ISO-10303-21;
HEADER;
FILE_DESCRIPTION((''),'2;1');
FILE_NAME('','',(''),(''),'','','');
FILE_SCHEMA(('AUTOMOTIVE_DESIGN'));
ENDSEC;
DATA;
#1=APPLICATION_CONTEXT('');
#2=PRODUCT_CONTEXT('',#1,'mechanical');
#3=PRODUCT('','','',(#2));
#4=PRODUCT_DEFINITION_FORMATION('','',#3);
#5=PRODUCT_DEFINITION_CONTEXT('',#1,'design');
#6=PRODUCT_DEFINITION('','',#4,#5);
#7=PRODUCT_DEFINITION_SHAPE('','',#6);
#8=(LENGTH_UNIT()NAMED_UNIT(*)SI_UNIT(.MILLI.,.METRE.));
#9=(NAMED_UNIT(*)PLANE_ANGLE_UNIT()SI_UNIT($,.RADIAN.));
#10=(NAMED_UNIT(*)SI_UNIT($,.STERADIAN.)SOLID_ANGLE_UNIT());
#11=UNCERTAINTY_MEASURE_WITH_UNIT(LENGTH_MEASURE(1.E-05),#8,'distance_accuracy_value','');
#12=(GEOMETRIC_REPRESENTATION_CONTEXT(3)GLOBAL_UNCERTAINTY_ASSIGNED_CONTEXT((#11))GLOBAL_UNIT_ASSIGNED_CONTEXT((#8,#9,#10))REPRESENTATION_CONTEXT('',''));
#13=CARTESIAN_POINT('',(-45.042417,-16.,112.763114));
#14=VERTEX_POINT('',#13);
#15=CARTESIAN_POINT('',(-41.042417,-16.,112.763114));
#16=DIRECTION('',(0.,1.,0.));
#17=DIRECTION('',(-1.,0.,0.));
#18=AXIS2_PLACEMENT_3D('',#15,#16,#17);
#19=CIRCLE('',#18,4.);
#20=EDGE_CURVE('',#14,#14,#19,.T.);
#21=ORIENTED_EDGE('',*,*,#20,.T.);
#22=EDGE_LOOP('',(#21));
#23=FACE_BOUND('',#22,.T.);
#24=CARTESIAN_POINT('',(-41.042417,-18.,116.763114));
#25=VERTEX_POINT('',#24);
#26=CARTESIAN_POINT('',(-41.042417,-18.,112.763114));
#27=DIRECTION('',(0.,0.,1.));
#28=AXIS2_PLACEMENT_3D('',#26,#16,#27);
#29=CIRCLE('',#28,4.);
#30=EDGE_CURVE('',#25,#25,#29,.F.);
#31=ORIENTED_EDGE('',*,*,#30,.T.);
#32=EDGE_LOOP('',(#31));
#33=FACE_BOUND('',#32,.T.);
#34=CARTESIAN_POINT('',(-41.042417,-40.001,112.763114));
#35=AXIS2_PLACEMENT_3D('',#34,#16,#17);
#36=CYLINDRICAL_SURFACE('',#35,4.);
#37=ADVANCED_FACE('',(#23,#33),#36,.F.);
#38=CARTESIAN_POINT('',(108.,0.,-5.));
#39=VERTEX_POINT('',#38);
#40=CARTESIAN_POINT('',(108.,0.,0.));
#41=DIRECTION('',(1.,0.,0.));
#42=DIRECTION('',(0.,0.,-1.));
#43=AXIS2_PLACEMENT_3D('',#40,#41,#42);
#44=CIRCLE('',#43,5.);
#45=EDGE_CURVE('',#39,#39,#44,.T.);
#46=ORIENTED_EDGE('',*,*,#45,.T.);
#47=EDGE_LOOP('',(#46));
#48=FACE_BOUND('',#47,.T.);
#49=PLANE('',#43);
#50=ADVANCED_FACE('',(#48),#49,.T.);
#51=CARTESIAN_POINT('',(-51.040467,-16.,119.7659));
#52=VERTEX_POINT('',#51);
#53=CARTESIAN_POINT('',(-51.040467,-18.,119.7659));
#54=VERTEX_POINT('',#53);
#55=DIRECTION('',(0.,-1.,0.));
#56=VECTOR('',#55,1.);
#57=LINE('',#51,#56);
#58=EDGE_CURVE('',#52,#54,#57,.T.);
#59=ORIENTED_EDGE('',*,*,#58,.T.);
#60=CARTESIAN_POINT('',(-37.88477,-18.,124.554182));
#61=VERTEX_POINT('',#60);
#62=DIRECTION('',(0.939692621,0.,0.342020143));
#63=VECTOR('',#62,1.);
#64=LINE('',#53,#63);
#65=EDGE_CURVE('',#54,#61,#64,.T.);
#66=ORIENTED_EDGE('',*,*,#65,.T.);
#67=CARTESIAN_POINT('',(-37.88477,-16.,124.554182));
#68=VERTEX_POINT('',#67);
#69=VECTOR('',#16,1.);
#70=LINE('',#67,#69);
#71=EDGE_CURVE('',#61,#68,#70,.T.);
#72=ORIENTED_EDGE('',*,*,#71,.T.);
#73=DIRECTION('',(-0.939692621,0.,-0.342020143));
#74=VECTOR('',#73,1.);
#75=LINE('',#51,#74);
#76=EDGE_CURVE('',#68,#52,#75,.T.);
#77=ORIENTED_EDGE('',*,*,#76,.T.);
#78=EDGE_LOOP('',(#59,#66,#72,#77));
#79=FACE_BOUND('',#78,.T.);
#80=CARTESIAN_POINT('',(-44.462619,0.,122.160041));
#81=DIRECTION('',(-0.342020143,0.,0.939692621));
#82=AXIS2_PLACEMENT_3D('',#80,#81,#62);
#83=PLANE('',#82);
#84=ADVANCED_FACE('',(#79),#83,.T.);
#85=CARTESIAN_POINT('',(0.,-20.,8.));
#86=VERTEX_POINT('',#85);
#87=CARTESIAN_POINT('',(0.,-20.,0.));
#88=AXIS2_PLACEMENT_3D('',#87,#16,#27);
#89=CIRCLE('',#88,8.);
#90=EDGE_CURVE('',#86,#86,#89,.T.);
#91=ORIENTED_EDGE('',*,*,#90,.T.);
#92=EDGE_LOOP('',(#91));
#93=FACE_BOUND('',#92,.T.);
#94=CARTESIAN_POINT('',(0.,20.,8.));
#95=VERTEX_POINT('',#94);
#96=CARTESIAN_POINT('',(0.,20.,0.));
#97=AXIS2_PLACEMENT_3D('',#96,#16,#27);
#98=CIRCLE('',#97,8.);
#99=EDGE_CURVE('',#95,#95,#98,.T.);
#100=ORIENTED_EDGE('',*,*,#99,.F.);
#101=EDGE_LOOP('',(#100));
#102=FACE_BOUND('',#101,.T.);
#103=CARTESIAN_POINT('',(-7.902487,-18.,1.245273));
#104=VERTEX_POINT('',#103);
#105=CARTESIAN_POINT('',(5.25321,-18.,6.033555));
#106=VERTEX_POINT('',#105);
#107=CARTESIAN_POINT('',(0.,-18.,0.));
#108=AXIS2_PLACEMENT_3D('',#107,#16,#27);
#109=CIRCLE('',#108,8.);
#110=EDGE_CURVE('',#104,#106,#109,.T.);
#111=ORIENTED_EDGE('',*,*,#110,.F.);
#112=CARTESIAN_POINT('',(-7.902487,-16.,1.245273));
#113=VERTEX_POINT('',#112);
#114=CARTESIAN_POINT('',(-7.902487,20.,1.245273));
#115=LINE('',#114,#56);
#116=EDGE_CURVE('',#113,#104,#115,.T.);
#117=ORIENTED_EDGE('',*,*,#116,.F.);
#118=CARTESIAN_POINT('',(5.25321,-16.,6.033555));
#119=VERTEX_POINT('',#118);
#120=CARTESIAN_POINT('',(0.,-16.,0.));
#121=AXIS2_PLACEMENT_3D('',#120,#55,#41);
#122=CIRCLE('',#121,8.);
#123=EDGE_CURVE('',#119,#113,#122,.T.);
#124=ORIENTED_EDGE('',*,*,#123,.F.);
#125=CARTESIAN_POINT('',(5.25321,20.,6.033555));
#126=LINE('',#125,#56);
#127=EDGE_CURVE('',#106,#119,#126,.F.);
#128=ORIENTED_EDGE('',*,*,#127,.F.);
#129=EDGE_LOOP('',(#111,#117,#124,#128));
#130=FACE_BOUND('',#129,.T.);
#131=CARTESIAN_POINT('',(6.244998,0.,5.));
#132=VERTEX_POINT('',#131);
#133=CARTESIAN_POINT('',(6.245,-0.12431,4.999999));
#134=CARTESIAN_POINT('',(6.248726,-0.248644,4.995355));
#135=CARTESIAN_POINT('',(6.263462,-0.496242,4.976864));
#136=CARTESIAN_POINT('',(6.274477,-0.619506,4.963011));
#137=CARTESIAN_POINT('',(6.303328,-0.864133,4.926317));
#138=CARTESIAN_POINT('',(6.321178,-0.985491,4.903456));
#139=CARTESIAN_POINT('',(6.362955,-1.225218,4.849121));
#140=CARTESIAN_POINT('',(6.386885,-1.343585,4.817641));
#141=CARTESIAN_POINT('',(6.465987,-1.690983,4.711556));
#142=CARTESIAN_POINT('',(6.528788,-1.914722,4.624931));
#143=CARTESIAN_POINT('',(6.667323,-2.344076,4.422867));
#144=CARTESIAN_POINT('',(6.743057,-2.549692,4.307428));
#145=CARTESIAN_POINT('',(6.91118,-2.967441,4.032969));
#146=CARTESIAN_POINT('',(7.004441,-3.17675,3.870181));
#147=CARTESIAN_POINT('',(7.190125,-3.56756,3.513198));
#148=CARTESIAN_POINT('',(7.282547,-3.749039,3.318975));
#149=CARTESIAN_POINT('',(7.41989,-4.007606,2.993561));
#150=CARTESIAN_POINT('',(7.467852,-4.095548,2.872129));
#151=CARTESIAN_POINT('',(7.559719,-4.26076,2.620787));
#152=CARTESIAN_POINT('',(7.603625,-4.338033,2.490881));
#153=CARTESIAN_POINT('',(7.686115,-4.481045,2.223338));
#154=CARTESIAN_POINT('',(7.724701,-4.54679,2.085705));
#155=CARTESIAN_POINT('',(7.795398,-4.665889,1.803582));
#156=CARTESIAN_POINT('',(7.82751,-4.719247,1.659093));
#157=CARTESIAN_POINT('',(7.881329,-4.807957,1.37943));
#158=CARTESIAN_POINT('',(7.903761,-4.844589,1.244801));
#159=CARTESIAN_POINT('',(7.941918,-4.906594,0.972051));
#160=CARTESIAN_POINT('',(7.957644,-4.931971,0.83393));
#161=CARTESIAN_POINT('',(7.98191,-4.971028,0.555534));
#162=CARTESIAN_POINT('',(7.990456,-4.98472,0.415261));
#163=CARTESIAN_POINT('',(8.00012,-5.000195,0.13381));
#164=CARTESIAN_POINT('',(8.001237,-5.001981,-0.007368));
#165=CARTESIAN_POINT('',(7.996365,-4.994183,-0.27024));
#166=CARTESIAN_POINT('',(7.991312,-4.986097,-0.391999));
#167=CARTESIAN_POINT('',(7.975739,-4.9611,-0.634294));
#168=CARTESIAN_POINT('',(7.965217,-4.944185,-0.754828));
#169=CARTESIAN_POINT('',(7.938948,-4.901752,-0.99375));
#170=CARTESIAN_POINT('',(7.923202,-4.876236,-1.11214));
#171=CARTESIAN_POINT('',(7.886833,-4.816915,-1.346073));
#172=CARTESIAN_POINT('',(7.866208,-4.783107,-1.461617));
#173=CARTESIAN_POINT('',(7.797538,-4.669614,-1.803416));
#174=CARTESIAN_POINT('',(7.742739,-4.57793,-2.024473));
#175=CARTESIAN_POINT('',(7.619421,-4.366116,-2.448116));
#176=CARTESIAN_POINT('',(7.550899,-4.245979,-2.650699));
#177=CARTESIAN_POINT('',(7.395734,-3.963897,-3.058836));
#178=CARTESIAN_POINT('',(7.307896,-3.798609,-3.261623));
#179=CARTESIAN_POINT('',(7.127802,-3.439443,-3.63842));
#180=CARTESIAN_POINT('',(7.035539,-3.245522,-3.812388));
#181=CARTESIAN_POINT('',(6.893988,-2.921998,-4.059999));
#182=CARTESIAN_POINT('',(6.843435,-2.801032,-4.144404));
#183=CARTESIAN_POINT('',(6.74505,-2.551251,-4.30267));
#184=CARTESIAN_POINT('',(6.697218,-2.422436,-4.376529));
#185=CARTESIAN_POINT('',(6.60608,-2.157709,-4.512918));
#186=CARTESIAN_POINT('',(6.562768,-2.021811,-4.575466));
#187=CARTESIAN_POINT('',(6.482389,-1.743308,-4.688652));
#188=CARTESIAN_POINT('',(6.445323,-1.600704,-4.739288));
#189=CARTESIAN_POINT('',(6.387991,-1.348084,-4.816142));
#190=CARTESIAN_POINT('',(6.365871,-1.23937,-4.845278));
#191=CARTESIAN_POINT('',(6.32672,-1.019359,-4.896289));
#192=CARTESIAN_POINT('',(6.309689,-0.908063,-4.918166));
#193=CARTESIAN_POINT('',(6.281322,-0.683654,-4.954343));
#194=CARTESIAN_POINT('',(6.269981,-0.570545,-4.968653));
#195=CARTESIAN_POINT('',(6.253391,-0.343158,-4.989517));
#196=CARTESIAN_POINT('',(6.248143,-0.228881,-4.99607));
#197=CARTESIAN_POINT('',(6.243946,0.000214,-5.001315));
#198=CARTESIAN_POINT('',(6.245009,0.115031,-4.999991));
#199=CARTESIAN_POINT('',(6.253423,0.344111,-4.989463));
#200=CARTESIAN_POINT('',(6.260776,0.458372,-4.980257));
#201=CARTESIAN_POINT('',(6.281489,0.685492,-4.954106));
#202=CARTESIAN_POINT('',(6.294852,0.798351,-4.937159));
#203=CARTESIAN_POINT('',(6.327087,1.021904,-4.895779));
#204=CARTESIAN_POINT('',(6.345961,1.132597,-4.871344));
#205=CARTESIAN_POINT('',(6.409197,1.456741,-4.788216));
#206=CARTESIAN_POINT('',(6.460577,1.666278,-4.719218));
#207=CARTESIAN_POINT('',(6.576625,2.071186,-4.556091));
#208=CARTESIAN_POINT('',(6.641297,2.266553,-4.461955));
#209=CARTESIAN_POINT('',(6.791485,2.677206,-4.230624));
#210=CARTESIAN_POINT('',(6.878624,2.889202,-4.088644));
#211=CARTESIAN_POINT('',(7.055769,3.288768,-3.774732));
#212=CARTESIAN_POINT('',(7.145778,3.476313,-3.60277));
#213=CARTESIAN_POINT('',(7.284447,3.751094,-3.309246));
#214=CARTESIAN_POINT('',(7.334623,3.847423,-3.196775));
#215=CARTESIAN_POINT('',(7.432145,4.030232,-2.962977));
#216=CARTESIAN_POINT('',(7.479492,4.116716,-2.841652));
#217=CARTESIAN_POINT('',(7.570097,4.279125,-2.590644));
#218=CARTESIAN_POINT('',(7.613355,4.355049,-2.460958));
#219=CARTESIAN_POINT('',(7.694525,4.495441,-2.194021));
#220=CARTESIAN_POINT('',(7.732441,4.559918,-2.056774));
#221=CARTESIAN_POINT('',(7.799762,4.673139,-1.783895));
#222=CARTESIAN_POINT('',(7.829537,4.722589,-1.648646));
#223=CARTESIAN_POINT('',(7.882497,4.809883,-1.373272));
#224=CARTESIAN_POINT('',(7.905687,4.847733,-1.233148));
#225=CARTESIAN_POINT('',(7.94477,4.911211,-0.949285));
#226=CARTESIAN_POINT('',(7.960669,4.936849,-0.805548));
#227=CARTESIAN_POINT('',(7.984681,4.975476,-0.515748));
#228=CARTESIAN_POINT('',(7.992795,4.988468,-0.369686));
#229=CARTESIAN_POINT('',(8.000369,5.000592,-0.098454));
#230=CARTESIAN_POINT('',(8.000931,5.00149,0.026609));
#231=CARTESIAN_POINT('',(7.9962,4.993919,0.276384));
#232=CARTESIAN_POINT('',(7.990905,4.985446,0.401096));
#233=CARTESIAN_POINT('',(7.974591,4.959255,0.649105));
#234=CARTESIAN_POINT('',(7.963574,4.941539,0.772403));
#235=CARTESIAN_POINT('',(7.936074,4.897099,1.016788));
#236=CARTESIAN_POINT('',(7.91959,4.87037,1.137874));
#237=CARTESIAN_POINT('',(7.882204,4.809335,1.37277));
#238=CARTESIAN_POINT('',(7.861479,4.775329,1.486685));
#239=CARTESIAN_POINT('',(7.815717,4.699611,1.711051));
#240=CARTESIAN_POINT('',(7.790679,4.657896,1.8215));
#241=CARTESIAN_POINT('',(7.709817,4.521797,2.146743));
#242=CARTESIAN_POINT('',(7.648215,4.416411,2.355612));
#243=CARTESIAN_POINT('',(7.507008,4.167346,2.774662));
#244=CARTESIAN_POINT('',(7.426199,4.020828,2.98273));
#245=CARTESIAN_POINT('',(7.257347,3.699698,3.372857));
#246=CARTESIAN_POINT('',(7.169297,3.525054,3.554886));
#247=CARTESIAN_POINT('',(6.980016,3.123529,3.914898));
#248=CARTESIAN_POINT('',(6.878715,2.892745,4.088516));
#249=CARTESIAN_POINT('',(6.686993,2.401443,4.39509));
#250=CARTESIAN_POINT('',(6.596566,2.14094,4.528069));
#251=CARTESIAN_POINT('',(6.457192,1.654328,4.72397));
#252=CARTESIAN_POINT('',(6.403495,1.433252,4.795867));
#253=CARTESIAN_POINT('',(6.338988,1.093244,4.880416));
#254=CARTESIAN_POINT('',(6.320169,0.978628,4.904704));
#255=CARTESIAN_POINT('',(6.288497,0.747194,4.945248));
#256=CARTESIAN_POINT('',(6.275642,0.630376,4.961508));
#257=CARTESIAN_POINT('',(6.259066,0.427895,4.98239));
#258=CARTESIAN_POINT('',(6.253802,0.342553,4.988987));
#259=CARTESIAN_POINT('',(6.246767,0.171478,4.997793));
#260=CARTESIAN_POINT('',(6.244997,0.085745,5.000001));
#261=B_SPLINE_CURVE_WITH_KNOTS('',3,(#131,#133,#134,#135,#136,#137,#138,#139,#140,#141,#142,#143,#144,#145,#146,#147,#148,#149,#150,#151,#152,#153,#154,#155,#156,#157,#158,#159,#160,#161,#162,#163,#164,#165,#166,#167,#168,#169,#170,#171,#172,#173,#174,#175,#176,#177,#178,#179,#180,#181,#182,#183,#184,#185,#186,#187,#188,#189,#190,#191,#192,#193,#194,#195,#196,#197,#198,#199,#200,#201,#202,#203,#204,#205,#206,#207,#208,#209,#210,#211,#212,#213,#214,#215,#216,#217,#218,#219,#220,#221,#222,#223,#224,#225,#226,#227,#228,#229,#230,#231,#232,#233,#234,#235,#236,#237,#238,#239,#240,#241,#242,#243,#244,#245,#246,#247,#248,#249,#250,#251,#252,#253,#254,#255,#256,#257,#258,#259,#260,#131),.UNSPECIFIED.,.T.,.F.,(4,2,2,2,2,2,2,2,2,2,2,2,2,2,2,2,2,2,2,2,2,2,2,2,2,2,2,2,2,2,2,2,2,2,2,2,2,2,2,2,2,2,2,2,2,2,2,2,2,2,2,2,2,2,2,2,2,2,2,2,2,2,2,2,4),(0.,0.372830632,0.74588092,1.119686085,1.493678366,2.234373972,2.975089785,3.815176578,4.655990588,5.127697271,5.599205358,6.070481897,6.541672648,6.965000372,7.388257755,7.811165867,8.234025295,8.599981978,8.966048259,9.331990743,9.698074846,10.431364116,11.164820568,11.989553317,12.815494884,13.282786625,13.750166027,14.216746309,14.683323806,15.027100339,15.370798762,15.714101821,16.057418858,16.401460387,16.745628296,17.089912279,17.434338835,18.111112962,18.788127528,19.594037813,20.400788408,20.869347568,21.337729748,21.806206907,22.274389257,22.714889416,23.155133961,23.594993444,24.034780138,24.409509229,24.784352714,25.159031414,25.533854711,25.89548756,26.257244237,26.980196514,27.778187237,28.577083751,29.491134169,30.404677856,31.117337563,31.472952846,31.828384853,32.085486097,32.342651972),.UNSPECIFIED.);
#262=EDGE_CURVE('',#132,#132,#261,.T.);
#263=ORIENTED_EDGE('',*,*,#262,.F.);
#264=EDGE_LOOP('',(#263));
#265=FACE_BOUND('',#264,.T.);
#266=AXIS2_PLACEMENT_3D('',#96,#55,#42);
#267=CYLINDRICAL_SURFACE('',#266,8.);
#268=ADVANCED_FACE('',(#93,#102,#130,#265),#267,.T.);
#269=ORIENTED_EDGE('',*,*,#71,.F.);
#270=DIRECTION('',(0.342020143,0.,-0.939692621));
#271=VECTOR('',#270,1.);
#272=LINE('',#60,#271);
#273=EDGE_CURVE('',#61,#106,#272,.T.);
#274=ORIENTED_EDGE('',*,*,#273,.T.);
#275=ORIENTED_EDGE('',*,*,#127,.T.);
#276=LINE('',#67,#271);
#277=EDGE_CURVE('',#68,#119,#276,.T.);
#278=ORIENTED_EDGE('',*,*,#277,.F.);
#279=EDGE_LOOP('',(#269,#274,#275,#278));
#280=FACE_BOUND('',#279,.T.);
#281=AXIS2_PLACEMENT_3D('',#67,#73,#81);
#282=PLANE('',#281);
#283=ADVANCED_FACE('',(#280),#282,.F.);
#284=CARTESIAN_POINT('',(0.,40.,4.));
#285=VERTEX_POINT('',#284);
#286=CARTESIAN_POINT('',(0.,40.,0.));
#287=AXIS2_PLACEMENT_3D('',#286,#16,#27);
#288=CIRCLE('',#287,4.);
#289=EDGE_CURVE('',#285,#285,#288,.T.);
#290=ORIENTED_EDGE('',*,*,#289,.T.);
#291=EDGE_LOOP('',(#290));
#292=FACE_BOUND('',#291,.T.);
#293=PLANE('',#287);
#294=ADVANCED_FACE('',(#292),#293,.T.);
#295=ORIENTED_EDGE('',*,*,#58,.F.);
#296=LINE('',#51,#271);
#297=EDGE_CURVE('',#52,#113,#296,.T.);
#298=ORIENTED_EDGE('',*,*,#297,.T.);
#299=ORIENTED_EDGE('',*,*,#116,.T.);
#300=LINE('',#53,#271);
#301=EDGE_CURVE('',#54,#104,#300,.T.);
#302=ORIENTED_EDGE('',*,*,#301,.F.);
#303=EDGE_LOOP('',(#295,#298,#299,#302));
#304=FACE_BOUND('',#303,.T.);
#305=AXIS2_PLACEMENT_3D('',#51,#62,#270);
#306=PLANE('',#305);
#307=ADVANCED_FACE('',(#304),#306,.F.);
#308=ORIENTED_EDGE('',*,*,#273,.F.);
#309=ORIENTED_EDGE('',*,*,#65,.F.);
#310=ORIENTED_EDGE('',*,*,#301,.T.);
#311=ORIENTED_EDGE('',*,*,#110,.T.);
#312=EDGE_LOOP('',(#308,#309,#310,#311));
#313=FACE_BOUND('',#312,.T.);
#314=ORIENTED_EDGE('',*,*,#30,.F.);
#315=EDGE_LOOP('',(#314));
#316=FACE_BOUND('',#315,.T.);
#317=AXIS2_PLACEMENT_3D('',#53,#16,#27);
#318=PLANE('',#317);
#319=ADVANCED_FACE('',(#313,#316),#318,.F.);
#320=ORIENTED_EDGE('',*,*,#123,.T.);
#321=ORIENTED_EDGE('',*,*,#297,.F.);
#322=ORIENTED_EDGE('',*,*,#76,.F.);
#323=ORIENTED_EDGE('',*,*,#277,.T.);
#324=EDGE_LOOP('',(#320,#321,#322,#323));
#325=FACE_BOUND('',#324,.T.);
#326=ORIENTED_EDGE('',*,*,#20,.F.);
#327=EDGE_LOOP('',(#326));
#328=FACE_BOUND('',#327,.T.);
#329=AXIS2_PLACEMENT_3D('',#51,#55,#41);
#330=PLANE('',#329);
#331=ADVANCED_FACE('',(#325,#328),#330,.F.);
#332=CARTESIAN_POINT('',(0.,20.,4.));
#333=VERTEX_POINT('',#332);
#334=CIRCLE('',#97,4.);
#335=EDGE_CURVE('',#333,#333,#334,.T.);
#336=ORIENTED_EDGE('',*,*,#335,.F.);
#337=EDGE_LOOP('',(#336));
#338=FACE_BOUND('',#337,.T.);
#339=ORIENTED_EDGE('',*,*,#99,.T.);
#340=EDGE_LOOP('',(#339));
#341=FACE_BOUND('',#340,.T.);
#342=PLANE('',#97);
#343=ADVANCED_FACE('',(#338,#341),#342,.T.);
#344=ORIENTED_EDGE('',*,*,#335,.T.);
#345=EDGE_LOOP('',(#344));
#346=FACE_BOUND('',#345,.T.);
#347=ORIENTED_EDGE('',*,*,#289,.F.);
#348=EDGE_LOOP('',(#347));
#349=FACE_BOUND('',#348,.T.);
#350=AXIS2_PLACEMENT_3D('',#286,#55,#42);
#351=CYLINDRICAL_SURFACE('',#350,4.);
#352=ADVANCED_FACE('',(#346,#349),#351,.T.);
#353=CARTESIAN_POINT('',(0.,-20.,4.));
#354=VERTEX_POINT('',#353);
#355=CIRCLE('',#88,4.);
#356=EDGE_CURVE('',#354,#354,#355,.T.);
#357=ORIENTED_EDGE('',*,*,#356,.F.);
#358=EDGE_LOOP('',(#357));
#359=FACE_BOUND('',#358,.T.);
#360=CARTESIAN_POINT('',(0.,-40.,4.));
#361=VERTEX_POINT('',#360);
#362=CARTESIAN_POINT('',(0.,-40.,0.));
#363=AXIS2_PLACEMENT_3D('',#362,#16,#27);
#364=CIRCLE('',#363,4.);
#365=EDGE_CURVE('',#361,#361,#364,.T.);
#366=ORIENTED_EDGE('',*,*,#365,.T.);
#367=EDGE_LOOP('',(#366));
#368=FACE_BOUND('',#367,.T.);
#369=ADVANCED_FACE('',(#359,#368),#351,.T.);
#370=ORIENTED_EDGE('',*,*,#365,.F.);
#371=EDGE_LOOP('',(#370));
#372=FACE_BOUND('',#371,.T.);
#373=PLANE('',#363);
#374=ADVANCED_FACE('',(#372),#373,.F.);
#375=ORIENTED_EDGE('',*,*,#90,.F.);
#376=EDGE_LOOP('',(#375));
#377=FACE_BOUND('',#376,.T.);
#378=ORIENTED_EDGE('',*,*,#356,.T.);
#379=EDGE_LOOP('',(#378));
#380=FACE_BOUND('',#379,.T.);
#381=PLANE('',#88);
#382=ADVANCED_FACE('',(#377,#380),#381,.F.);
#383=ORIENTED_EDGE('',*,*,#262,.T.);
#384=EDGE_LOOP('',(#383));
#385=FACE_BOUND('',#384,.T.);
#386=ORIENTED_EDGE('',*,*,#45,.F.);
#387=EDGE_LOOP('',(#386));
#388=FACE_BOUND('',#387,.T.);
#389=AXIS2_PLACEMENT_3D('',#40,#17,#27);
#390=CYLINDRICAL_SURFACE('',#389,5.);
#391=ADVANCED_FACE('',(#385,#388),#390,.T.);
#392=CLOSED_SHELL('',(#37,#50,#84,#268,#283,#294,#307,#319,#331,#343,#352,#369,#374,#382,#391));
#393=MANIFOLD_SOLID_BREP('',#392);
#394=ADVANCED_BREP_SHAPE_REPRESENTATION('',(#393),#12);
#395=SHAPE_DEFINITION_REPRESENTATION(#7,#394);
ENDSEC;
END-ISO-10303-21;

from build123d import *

# Parameters (mm, degrees)
SKETCH1_R           = 4
BOSS_EXTRUDE1_DEPTH = 40
SKETCH3_R           = 8
BOSS_EXTRUDE2_DEPTH = 20
SKETCH4_R           = 5
BOSS_EXTRUDE3_DEPTH = 108
SKETCH5_W           = 14
SKETCH5_H           = 2
BOSS_EXTRUDE4_DEPTH = 130
CUT_EXTRUDE1_REACH  = 176.108
SKETCH6_R           = 4


with BuildPart() as part:
    # Sketch1 → Boss-Extrude1 (new, symmetric)
    with BuildSketch(Plane(origin=(0, 0, 0), x_dir=(1, 0, 0), z_dir=(0, 1, 0))):
        Circle(SKETCH1_R)
    extrude(amount=BOSS_EXTRUDE1_DEPTH, both=True)

    # Sketch3 → Boss-Extrude2 (add, symmetric)
    with BuildSketch(Plane(origin=(0, 0, 0), x_dir=(1, 0, 0), z_dir=(0, 1, 0))):
        Circle(SKETCH3_R)
    extrude(amount=BOSS_EXTRUDE2_DEPTH, both=True)

    # Sketch4 → Boss-Extrude3 (add)
    with BuildSketch(Plane(origin=(0, 0, 0), x_dir=(0, 0, -1), z_dir=(1, 0, 0))):
        Circle(SKETCH4_R)
    extrude(amount=BOSS_EXTRUDE3_DEPTH)

    # Sketch5 → Boss-Extrude4 (add)
    with BuildSketch(Plane(origin=(0, 0, 0), x_dir=(0.939692620785908, 0, 0.34202014332566977), z_dir=(-0.34202014332566977, 0, 0.939692620785908))):
        with Locations((0, -17)):
            Rectangle(SKETCH5_W, SKETCH5_H)
    extrude(amount=BOSS_EXTRUDE4_DEPTH)

    # Sketch6 → Cut-Extrude1 (cut, up to next)
    with BuildSketch(Plane(origin=(0, -16, 0), x_dir=(1, 0, 0), z_dir=(0, 1, 0)), mode=Mode.PRIVATE) as cut_extrude1_sk1:
        with Locations((-41.042417199, -112.763114494)):
            Circle(SKETCH6_R)
    cut_extrude1_tool1 = extrude(cut_extrude1_sk1.sketch, amount=-CUT_EXTRUDE1_REACH, mode=Mode.PRIVATE) & part.part
    add(cut_extrude1_tool1.solids().sort_by_distance((-41.042417, -16, 112.763114))[0], mode=Mode.SUBTRACT)


solid = part.part
